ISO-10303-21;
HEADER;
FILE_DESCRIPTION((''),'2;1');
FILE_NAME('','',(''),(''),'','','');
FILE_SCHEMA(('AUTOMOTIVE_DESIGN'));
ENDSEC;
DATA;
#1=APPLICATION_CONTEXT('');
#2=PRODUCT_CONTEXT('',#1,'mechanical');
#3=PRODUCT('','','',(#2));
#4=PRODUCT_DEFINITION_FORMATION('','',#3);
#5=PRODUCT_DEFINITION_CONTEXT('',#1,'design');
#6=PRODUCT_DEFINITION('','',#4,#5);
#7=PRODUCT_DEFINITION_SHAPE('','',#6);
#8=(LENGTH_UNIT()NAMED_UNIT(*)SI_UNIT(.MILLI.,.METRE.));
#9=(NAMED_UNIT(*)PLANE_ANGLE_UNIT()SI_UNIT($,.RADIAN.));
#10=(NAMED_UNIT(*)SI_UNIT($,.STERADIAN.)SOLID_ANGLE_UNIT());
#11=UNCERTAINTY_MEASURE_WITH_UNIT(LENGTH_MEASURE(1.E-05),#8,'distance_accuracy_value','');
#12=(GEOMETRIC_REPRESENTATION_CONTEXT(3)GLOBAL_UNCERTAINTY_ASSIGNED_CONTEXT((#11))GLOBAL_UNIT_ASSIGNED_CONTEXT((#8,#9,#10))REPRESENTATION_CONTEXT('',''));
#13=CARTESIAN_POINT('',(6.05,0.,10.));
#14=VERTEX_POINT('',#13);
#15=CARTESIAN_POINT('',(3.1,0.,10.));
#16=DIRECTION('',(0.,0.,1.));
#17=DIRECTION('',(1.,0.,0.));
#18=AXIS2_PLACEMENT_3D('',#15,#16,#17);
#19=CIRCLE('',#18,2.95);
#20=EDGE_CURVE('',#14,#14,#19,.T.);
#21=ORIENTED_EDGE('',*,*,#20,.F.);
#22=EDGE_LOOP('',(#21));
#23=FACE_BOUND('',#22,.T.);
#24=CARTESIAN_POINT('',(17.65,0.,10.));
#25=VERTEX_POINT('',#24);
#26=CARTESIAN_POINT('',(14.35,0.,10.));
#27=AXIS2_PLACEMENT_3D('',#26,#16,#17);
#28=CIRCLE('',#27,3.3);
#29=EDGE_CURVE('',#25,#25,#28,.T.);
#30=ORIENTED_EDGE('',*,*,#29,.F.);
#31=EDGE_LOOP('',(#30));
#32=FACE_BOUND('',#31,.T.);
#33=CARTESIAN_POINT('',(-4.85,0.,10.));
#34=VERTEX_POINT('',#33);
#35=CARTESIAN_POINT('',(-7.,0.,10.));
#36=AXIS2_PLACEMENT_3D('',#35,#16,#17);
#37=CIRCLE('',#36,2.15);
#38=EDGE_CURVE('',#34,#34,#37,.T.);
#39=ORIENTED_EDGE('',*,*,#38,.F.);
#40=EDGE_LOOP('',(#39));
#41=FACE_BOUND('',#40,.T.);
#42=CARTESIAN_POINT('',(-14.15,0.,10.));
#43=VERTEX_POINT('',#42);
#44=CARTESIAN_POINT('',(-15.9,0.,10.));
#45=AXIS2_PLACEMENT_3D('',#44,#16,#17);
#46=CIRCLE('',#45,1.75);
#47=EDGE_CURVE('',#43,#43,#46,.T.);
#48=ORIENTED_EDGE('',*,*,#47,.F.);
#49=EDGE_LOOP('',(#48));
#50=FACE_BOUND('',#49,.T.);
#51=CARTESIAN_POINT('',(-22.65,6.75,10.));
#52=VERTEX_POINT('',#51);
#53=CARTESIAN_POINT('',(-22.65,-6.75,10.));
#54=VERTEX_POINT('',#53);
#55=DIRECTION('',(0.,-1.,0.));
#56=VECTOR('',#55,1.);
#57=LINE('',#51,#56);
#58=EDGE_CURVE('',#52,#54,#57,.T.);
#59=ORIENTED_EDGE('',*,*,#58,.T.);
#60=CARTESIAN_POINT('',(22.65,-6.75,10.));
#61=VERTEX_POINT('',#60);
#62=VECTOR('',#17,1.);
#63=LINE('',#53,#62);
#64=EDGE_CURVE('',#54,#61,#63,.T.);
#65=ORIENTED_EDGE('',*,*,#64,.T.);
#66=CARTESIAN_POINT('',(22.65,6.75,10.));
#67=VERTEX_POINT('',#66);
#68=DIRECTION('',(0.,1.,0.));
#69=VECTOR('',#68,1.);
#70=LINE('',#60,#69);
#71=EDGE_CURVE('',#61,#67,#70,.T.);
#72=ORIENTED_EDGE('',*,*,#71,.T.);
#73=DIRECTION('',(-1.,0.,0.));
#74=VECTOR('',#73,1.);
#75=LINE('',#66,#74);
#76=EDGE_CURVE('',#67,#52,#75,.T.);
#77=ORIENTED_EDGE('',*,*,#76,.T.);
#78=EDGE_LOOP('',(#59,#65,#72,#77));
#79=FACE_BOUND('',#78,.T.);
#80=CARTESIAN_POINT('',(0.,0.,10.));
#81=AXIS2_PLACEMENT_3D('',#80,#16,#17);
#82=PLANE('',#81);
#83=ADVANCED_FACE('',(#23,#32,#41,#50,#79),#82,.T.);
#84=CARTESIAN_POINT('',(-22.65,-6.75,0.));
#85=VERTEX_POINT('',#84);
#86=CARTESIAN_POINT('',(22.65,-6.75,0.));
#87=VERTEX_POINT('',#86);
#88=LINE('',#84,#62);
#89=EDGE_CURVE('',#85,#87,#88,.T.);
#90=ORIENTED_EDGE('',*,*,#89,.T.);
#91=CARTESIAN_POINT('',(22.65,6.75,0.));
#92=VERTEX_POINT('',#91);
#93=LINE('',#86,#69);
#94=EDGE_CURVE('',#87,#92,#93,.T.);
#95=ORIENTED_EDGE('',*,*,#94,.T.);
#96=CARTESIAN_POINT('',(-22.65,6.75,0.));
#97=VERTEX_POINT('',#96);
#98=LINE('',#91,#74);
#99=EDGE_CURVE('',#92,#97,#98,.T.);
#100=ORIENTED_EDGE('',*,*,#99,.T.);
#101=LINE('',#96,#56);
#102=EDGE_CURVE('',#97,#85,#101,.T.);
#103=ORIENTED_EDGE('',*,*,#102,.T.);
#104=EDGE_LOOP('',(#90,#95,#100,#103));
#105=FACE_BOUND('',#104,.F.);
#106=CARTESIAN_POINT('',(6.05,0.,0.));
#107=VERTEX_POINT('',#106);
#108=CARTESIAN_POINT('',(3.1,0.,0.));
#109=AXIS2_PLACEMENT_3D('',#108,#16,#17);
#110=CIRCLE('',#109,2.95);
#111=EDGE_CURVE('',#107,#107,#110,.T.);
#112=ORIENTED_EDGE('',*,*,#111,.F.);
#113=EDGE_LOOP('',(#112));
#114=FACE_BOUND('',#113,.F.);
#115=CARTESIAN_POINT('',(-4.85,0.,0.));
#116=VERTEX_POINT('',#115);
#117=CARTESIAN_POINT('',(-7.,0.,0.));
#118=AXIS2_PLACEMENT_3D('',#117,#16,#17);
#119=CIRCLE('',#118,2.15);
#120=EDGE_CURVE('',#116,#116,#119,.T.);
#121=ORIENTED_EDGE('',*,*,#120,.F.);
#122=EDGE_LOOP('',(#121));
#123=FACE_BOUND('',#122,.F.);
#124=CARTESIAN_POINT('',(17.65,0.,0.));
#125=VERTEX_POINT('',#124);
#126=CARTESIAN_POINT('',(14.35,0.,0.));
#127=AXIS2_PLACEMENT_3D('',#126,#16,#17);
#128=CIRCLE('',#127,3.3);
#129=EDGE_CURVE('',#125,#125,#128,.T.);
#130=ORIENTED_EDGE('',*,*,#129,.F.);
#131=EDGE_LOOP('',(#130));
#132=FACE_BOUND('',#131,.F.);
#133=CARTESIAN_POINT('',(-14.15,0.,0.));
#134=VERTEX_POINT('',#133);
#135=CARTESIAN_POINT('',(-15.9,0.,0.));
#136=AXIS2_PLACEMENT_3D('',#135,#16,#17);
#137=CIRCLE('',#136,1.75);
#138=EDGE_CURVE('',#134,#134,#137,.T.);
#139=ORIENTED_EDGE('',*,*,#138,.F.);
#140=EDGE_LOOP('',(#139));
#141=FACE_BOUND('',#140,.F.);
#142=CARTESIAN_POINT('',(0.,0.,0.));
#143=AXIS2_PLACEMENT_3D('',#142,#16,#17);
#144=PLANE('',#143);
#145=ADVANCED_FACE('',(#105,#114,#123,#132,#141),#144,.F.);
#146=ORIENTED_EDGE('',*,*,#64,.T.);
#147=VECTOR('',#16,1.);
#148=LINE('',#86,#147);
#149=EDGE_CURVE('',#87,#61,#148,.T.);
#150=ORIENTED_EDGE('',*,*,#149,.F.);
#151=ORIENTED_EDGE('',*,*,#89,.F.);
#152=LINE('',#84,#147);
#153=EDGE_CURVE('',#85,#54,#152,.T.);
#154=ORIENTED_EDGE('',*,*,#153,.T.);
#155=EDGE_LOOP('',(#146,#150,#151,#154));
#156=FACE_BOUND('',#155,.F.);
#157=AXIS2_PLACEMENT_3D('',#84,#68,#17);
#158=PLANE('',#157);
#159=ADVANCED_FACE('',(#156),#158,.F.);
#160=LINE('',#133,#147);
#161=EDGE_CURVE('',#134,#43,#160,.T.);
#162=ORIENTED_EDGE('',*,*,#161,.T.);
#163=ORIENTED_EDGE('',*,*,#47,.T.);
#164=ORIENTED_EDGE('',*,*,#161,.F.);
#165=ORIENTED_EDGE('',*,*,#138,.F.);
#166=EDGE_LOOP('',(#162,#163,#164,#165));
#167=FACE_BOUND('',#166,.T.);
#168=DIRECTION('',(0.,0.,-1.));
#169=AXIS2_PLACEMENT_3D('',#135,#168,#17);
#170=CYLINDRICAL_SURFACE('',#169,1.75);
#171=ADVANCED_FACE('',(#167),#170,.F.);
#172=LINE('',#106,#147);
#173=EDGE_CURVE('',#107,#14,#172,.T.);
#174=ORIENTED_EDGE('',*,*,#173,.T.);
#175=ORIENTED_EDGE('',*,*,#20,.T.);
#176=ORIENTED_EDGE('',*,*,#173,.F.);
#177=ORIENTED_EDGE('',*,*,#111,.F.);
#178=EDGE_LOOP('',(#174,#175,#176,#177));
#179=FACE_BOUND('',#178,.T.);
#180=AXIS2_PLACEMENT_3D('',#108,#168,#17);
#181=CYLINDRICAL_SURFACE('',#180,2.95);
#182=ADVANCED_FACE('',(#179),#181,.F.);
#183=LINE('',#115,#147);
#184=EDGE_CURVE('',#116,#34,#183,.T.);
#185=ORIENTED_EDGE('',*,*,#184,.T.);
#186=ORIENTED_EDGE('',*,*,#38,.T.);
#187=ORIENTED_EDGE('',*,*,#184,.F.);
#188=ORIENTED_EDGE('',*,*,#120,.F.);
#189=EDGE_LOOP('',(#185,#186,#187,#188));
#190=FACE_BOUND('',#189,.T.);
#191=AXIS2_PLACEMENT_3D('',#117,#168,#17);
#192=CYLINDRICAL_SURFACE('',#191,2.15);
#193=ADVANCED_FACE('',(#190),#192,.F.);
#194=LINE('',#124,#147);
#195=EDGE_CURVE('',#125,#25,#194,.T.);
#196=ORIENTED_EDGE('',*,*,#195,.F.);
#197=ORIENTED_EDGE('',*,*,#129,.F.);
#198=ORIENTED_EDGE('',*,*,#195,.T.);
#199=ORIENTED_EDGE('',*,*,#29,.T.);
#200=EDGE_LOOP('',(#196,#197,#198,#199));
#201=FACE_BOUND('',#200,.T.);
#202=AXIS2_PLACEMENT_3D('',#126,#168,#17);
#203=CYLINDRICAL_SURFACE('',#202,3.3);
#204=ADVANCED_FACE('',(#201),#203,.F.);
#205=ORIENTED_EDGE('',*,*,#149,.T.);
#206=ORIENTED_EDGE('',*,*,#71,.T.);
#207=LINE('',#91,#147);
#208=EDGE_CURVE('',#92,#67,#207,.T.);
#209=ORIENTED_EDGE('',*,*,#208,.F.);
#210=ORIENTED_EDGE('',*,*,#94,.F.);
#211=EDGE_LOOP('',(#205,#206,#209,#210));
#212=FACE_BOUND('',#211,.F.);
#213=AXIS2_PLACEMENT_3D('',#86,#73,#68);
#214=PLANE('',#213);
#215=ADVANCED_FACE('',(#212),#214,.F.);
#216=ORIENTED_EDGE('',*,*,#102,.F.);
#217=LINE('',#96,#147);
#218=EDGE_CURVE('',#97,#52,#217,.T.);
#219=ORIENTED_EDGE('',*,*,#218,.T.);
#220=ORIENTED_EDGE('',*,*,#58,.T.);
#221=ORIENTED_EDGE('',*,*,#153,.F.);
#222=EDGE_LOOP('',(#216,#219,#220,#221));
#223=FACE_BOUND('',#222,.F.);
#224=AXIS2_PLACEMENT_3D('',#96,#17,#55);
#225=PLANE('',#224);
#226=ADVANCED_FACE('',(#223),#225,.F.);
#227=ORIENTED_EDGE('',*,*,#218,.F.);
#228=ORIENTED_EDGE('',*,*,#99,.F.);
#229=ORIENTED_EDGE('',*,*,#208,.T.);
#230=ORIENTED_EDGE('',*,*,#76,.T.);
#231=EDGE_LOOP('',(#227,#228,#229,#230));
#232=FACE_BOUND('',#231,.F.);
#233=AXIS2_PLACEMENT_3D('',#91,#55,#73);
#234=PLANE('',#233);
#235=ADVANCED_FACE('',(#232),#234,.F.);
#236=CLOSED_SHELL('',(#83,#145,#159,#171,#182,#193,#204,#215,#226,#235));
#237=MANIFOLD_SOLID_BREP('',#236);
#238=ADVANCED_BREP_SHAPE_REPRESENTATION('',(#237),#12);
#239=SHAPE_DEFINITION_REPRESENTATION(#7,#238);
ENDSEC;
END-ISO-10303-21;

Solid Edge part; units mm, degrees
sketch "Sketch1" plane through (0, 0, 0) normal (0, 0, 1) x (1, 0, 0)
  line L0 (-22.65, -6.75) -> (22.65, -6.75)
  line L1 (22.65, -6.75) -> (22.65, 6.75)
  line L2 (22.65, 6.75) -> (-22.65, 6.75)
  line L3 (-22.65, 6.75) -> (-22.65, -6.75)
  circle A0 centre (-15.9, 0) radius 1.75
  circle A1 centre (-7, 0) radius 2.15
  circle A2 centre (3.1, 0) radius 2.95
  circle A3 centre (14.35, 0) radius 3.3
  dimension "D1" = 5
  dimension "D2" = 5
  dimension "D3" = 5
  dimension "D4" = 5
  dimension "D5" = 5
  dimension "D6" = 5
extrude "Protrusion1" add sketch "Sketch1" along normal blind 10
